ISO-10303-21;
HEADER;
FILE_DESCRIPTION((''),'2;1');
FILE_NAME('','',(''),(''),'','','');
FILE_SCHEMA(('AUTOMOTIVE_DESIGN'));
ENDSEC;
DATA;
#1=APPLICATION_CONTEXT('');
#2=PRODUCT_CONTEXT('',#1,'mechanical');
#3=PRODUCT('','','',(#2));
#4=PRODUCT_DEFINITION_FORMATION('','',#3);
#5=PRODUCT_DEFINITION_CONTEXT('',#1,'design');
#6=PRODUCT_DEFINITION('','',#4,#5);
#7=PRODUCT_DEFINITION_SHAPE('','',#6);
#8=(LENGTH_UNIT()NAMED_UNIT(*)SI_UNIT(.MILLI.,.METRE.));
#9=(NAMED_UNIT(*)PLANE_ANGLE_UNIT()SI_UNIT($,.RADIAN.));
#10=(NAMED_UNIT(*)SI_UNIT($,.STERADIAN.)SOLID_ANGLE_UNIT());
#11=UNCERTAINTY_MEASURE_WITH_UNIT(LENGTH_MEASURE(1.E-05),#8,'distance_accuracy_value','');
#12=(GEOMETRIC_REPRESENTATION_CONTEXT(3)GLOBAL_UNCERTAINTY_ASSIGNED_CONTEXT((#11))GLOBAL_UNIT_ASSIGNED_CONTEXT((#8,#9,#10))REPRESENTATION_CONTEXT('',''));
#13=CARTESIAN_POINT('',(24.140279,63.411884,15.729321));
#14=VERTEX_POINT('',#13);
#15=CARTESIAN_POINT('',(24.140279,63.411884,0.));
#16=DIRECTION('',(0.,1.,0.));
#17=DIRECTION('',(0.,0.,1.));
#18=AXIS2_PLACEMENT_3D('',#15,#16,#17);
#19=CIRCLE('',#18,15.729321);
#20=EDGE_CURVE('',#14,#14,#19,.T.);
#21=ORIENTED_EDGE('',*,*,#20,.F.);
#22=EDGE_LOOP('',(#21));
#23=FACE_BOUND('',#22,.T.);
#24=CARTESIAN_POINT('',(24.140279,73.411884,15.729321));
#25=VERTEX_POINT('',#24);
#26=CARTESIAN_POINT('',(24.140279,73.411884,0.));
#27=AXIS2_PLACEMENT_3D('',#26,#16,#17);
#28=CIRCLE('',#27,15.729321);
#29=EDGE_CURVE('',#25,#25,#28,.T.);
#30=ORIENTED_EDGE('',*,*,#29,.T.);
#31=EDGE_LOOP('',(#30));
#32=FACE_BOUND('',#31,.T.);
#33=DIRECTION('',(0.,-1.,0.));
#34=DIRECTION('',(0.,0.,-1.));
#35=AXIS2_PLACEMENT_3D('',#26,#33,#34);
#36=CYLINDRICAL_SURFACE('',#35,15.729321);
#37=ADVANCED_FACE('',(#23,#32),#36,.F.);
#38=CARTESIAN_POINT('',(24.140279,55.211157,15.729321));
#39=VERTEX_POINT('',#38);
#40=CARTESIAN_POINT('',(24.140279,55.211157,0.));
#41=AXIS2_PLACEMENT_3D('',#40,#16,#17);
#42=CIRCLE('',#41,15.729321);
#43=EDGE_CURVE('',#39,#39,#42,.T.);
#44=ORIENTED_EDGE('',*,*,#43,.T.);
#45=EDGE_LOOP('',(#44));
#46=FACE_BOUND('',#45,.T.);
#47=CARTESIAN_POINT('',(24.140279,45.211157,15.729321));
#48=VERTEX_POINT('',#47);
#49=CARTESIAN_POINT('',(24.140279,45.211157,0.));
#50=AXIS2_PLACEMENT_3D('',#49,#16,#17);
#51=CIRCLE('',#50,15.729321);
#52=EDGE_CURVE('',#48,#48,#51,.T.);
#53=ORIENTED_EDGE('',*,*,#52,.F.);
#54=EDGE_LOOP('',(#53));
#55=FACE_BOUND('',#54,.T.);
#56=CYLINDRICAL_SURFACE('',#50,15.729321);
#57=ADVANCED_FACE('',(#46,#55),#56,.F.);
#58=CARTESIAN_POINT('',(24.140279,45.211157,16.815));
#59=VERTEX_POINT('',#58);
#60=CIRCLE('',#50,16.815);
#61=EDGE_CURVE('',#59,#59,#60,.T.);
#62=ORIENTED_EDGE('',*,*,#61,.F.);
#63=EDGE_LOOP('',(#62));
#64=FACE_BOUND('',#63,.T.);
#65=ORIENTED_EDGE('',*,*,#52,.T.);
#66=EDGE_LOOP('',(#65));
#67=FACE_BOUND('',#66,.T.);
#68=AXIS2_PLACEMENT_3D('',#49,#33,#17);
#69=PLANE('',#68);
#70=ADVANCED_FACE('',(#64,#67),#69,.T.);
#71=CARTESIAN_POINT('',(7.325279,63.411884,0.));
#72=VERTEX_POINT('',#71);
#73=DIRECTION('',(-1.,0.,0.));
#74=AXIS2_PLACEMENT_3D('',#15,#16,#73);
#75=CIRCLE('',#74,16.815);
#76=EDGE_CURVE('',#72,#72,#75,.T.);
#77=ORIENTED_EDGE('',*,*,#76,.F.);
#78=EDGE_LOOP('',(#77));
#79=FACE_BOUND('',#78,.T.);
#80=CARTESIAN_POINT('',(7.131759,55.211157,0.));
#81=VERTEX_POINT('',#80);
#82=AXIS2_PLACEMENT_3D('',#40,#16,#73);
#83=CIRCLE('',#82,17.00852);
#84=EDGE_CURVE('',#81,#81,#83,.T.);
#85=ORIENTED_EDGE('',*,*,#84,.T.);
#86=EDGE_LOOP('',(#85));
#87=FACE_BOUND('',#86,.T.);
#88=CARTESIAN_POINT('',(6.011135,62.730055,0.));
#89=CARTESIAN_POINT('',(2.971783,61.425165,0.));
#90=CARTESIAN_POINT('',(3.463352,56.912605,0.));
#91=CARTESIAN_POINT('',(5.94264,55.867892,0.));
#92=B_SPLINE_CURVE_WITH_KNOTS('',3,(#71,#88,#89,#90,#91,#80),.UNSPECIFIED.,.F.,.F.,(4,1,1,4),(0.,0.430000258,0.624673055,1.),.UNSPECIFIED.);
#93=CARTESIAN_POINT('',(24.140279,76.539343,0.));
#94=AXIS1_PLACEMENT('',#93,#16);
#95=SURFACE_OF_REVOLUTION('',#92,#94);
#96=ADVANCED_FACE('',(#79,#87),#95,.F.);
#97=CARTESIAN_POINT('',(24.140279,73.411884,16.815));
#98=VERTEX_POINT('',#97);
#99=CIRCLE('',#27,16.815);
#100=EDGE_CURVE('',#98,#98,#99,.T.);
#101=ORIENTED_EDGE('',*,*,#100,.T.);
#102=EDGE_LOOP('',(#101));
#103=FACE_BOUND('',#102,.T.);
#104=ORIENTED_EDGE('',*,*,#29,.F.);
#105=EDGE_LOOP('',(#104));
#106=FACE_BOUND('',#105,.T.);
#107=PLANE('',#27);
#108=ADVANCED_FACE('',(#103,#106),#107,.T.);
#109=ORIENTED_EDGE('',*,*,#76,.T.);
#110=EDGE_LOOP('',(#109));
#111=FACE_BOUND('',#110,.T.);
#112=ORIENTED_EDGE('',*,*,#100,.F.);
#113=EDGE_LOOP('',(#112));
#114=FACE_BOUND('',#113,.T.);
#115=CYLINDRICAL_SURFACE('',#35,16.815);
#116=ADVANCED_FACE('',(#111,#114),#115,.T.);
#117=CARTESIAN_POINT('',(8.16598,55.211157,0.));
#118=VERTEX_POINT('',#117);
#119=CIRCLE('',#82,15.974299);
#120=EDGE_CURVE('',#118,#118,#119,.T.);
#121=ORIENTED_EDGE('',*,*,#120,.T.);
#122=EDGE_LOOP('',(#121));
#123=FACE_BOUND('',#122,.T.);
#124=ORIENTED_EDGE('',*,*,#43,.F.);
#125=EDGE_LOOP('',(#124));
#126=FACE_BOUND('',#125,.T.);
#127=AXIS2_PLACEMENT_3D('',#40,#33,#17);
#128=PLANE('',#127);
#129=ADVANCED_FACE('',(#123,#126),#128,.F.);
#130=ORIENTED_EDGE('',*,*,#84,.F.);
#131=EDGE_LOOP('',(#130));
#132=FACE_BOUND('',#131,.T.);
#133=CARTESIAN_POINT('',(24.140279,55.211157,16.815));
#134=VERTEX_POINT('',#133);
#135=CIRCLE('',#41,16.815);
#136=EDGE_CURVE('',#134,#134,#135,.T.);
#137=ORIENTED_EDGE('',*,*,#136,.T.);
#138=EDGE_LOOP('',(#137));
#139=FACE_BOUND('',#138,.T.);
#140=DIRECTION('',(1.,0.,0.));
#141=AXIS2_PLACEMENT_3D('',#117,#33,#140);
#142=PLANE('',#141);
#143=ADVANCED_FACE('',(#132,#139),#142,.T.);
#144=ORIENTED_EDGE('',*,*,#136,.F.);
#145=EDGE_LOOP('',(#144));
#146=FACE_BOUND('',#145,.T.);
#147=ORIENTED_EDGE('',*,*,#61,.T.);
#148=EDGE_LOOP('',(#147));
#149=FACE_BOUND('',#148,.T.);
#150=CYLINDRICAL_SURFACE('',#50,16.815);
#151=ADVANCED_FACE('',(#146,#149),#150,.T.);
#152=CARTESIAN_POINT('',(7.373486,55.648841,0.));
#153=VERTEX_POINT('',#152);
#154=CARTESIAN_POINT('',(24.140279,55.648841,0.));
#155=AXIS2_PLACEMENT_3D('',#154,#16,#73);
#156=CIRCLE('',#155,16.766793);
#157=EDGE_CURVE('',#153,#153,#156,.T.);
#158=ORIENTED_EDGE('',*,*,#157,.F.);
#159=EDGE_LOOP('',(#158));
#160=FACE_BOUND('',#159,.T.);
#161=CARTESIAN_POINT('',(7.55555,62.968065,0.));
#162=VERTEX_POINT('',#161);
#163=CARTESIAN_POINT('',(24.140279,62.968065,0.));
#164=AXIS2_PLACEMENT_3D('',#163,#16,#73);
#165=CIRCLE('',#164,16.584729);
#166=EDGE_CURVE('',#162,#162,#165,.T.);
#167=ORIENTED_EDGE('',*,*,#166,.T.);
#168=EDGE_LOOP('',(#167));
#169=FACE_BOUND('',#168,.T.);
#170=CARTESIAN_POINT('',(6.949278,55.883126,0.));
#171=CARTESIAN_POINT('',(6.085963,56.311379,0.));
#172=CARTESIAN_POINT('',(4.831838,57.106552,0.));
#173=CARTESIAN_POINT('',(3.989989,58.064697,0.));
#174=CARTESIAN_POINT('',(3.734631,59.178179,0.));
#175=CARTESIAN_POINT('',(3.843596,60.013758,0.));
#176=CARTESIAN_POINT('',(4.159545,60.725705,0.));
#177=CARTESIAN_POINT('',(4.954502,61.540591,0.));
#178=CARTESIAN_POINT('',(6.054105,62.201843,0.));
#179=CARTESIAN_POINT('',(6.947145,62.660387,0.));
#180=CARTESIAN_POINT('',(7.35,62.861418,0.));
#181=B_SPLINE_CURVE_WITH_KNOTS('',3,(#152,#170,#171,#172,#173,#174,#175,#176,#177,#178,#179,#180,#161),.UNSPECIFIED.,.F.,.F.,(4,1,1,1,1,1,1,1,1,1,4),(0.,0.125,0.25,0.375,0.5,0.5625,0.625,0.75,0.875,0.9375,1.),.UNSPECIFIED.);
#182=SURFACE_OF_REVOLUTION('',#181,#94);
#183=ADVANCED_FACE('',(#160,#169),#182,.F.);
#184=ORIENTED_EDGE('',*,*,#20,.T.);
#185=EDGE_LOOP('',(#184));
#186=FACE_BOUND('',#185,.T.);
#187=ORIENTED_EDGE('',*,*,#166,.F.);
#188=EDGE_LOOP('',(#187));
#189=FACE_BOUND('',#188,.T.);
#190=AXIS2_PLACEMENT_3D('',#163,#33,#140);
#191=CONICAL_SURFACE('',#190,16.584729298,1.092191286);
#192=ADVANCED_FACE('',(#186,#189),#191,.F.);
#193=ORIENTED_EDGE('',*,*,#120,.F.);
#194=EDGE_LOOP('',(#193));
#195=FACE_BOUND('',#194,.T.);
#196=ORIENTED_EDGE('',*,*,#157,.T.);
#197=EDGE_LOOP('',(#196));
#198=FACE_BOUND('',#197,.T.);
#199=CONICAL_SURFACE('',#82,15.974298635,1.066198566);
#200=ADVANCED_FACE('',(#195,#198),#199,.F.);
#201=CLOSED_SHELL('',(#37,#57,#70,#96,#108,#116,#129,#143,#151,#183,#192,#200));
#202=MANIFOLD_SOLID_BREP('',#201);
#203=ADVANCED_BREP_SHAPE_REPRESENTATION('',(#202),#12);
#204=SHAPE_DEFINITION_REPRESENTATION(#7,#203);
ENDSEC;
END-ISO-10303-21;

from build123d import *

# Parameters (mm, degrees)
SKETCH2_R           = 16.815
SKETCH2_R_2         = 15.729321286
BOSS_EXTRUDE1_DEPTH = 10


with BuildPart() as part:
    # Sketch1 → Revolve1 (revolve)
    with BuildSketch(Plane.XY):
        with BuildLine():
            Line((7.325278854, 63.411883954), (8.410957568, 63.411883954))
            Line((8.410957568, 63.411883954), (7.555549556, 62.968064842))
            add(Edge.make_bspline(
                [(7.555549556, 62.968064842), (7.34999991, 62.861417651), (6.947144673, 62.660387479), (6.05410487, 62.201842629), (4.95450234, 61.540590874), (4.15954484, 60.725704583), (3.843595581, 60.013758398), (3.734630504, 59.178179351), (3.989989442, 58.064696871), (4.831837818, 57.106551686), (6.08596344, 56.311379341), (6.949277865, 55.883126275), (7.373486281, 55.648841265)],
                knots=[0, 0, 0, 0, 0.0625, 0.125, 0.25, 0.375, 0.4375, 0.5, 0.625, 0.75, 0.875, 1, 1, 1, 1], degree=3))
            Line((7.373486281, 55.648841265), (8.165980219, 55.21115676))
            Line((8.165980219, 55.21115676), (7.131758595, 55.21115676))
            add(Edge.make_bspline(
                [(7.325278854, 63.411883954), (6.011135244, 62.730054884), (2.971783405, 61.4251647), (3.46335157, 56.912604996), (5.942640085, 55.867892063), (7.131758595, 55.21115676)],
                knots=[0, 0, 0, 0, 0.430000258, 0.624673055, 1, 1, 1, 1], degree=3))
        make_face()
    revolve(axis=Axis((24.140278854, 76.539342874, 0), (0, -1, 0)))

    # Sketch2 → Boss-Extrude1 (add)
    with BuildSketch(Plane(origin=(0, 63.411883954, 0), x_dir=(1, 0, 0), z_dir=(0, 1, 0))):
        with Locations(Location((24.140278854, 0, 0), (0, 0, 180))):
            Circle(SKETCH2_R)
        with Locations(Location((24.140278854, 0, 0), (0, 0, 270))):
            Circle(SKETCH2_R_2, mode=Mode.SUBTRACT)
    boss_extrude1 = extrude(amount=BOSS_EXTRUDE1_DEPTH)

    # Mirror1: Boss-Extrude1 across plane
    add(boss_extrude1.mirror(Plane.ZX.offset(59.311520357)))


solid = part.part
